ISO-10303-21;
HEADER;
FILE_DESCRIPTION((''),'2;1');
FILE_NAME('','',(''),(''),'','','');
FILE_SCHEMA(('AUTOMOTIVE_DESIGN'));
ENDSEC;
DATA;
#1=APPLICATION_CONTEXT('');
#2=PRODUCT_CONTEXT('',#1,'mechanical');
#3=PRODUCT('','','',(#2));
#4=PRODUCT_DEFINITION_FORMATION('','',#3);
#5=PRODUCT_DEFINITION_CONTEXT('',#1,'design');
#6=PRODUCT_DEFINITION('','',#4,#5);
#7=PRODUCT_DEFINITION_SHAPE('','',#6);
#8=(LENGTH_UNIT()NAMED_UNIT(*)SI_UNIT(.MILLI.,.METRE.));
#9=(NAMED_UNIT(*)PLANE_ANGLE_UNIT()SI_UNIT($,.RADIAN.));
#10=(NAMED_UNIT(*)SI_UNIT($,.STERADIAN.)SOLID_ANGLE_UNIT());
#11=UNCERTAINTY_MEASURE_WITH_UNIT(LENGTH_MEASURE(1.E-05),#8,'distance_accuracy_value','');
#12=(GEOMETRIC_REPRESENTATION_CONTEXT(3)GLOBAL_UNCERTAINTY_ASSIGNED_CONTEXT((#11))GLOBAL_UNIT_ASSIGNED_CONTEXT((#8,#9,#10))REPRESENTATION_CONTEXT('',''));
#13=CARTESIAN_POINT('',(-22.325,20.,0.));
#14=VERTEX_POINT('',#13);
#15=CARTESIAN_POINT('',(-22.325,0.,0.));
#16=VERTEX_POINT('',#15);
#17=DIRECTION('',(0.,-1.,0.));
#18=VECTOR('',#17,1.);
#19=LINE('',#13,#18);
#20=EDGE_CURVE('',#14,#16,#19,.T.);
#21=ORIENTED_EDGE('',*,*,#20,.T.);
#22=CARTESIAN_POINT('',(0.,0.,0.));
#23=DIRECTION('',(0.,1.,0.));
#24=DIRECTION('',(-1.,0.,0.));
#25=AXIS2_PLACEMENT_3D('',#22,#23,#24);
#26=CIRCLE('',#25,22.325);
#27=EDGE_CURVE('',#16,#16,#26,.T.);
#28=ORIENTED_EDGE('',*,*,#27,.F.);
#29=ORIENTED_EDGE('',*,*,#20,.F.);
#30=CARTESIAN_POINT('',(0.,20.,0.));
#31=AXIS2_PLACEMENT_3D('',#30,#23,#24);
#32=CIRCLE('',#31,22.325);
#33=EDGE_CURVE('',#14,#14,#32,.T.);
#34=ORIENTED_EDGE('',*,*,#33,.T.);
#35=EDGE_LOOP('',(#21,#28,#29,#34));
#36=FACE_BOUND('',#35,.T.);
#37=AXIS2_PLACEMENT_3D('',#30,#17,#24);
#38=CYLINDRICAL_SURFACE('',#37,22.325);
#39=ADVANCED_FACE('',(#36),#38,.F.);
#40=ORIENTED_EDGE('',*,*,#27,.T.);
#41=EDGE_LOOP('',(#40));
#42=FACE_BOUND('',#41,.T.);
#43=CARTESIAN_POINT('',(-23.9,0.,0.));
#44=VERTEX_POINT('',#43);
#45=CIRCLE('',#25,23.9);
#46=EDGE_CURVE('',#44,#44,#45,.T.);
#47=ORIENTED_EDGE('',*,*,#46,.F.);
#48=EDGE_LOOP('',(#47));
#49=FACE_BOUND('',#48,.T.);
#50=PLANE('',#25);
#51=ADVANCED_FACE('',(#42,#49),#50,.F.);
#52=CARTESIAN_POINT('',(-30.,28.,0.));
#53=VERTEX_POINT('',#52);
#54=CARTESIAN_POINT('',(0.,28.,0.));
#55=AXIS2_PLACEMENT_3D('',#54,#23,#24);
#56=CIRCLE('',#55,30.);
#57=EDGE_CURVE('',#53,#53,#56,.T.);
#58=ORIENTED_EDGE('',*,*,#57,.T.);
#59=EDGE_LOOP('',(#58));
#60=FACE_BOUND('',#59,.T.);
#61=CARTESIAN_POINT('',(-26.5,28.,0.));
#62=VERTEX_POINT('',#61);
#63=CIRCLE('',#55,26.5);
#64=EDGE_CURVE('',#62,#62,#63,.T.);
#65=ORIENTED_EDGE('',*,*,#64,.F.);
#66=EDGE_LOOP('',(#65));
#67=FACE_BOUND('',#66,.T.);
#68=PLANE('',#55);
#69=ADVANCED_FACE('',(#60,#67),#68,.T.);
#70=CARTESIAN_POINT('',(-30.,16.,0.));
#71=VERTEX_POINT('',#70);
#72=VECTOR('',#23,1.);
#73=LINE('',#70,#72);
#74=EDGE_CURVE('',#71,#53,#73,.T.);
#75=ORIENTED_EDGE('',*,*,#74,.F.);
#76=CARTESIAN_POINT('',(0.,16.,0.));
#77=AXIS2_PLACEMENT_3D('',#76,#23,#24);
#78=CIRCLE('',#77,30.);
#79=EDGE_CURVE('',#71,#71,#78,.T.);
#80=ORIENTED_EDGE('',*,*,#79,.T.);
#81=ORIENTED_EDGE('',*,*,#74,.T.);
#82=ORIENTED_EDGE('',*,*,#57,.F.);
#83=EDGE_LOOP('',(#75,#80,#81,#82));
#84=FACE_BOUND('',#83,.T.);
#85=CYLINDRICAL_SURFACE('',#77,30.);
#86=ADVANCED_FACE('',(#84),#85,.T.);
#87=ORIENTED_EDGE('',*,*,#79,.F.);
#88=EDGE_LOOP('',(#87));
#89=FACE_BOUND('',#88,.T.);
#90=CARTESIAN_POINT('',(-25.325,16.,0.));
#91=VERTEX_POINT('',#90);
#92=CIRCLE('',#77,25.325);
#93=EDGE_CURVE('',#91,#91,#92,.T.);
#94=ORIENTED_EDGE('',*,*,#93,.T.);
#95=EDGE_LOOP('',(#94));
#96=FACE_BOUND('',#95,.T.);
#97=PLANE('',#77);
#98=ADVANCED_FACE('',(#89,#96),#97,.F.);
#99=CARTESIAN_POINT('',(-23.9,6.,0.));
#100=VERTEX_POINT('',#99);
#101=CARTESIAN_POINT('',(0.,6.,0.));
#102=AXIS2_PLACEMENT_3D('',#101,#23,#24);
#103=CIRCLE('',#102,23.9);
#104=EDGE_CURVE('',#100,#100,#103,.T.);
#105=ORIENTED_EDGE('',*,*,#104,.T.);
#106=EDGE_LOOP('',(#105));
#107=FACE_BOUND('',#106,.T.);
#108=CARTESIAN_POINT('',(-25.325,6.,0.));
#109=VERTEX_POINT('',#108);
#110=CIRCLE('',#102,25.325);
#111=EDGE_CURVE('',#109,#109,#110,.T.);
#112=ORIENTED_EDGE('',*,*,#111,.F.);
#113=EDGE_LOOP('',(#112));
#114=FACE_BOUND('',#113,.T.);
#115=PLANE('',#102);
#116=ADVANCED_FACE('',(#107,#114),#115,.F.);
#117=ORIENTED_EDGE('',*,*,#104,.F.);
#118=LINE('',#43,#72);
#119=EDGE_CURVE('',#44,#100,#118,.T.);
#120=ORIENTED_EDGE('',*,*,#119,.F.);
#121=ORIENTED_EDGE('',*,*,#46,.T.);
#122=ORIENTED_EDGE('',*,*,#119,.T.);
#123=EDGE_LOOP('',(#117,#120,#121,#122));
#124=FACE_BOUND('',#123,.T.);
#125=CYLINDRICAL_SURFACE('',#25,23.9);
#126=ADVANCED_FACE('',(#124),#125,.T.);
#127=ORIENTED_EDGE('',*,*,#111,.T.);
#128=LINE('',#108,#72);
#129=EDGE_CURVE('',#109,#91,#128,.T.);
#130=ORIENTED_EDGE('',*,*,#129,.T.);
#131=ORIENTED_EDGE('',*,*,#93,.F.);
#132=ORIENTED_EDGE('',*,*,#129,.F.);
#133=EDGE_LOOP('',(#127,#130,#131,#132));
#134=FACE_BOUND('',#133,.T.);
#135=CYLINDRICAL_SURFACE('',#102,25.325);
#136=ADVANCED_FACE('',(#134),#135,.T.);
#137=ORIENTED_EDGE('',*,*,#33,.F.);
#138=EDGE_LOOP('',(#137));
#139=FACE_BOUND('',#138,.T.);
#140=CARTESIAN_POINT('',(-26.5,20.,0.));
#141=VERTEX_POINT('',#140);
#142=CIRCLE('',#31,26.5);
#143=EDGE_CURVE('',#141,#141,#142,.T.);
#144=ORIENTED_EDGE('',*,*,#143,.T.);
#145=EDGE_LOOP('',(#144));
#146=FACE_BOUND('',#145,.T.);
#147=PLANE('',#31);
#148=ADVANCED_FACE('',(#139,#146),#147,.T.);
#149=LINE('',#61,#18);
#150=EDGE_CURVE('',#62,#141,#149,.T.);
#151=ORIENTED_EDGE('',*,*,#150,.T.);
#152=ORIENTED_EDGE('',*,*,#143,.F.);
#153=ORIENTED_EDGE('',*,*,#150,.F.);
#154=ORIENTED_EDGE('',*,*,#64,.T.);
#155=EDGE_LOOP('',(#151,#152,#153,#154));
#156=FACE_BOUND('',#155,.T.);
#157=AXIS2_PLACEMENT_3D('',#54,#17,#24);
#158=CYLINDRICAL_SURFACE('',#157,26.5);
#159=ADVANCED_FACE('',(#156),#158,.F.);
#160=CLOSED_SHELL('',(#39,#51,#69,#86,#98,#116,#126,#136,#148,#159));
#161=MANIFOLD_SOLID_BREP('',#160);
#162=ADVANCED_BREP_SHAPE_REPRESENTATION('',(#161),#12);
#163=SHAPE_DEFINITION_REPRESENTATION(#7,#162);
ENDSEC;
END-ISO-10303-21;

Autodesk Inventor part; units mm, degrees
ref_plane "YZ Plane" through (0, 0, 0) normal (1, 0, 0) x (0, 1, 0)
ref_plane "XZ Plane" through (0, 0, 0) normal (0, 1, 0) x (-1, 0, 0)
ref_plane "XY Plane" through (0, 0, 0) normal (0, 0, 1) x (1, 0, 0)
sketch "Sketch1" plane through (0, 0, 0) normal (0, 0, 1) x (1, 0, 0)
  line L0 (-22.325, 20) -> (-22.325, 0)
  line L1 (-22.325, 0) -> (-23.9, 0)
  line L2 (-23.9, 0) -> (-23.9, 6)
  line L3 (-23.9, 6) -> (-25.325, 6)
  line L4 (-25.325, 6) -> (-25.325, 16)
  line L5 (-25.325, 16) -> (-30, 16)
  line L6 (-30, 16) -> (-30, 28)
  line L7 (-30, 28) -> (-26.5, 28)
  line L8 (-26.5, 28) -> (-26.5, 20)
  line L9 (-26.5, 20) -> (-22.325, 20)
  line L10 (0, -5.6) -> (0, 33.6) projected
  point P0 (0, 0)
  dimension "d0" = 23.9
  dimension "neck_ir" = 22.325
  dimension "d4" = 8
  dimension "d5" = 6
  dimension "d6" = 3
  dimension "d7" = 10
  dimension "neck_thread_dia" = 30
  dimension "neck_thread_len" = 12
  dimension "d14" = 26.5
revolve "Revolution1" add sketch "Sketch1" angle 360 about axis through (0, -10, 0) along (0, 1, 0)
thread "Thread1" size "M60x1" class "6g" standard "ANSI Metric M Profile" full length
equation "\"d4\" = 2 * oring_dia"
equation "\"d14\" = 0.5 * oring_od"
equation "\"oring_diameter\" = 4"
equation "\"oring_dia\" = 4"
equation "\"oring_od\" = 53"
properties part number "neck" material "Brass"
